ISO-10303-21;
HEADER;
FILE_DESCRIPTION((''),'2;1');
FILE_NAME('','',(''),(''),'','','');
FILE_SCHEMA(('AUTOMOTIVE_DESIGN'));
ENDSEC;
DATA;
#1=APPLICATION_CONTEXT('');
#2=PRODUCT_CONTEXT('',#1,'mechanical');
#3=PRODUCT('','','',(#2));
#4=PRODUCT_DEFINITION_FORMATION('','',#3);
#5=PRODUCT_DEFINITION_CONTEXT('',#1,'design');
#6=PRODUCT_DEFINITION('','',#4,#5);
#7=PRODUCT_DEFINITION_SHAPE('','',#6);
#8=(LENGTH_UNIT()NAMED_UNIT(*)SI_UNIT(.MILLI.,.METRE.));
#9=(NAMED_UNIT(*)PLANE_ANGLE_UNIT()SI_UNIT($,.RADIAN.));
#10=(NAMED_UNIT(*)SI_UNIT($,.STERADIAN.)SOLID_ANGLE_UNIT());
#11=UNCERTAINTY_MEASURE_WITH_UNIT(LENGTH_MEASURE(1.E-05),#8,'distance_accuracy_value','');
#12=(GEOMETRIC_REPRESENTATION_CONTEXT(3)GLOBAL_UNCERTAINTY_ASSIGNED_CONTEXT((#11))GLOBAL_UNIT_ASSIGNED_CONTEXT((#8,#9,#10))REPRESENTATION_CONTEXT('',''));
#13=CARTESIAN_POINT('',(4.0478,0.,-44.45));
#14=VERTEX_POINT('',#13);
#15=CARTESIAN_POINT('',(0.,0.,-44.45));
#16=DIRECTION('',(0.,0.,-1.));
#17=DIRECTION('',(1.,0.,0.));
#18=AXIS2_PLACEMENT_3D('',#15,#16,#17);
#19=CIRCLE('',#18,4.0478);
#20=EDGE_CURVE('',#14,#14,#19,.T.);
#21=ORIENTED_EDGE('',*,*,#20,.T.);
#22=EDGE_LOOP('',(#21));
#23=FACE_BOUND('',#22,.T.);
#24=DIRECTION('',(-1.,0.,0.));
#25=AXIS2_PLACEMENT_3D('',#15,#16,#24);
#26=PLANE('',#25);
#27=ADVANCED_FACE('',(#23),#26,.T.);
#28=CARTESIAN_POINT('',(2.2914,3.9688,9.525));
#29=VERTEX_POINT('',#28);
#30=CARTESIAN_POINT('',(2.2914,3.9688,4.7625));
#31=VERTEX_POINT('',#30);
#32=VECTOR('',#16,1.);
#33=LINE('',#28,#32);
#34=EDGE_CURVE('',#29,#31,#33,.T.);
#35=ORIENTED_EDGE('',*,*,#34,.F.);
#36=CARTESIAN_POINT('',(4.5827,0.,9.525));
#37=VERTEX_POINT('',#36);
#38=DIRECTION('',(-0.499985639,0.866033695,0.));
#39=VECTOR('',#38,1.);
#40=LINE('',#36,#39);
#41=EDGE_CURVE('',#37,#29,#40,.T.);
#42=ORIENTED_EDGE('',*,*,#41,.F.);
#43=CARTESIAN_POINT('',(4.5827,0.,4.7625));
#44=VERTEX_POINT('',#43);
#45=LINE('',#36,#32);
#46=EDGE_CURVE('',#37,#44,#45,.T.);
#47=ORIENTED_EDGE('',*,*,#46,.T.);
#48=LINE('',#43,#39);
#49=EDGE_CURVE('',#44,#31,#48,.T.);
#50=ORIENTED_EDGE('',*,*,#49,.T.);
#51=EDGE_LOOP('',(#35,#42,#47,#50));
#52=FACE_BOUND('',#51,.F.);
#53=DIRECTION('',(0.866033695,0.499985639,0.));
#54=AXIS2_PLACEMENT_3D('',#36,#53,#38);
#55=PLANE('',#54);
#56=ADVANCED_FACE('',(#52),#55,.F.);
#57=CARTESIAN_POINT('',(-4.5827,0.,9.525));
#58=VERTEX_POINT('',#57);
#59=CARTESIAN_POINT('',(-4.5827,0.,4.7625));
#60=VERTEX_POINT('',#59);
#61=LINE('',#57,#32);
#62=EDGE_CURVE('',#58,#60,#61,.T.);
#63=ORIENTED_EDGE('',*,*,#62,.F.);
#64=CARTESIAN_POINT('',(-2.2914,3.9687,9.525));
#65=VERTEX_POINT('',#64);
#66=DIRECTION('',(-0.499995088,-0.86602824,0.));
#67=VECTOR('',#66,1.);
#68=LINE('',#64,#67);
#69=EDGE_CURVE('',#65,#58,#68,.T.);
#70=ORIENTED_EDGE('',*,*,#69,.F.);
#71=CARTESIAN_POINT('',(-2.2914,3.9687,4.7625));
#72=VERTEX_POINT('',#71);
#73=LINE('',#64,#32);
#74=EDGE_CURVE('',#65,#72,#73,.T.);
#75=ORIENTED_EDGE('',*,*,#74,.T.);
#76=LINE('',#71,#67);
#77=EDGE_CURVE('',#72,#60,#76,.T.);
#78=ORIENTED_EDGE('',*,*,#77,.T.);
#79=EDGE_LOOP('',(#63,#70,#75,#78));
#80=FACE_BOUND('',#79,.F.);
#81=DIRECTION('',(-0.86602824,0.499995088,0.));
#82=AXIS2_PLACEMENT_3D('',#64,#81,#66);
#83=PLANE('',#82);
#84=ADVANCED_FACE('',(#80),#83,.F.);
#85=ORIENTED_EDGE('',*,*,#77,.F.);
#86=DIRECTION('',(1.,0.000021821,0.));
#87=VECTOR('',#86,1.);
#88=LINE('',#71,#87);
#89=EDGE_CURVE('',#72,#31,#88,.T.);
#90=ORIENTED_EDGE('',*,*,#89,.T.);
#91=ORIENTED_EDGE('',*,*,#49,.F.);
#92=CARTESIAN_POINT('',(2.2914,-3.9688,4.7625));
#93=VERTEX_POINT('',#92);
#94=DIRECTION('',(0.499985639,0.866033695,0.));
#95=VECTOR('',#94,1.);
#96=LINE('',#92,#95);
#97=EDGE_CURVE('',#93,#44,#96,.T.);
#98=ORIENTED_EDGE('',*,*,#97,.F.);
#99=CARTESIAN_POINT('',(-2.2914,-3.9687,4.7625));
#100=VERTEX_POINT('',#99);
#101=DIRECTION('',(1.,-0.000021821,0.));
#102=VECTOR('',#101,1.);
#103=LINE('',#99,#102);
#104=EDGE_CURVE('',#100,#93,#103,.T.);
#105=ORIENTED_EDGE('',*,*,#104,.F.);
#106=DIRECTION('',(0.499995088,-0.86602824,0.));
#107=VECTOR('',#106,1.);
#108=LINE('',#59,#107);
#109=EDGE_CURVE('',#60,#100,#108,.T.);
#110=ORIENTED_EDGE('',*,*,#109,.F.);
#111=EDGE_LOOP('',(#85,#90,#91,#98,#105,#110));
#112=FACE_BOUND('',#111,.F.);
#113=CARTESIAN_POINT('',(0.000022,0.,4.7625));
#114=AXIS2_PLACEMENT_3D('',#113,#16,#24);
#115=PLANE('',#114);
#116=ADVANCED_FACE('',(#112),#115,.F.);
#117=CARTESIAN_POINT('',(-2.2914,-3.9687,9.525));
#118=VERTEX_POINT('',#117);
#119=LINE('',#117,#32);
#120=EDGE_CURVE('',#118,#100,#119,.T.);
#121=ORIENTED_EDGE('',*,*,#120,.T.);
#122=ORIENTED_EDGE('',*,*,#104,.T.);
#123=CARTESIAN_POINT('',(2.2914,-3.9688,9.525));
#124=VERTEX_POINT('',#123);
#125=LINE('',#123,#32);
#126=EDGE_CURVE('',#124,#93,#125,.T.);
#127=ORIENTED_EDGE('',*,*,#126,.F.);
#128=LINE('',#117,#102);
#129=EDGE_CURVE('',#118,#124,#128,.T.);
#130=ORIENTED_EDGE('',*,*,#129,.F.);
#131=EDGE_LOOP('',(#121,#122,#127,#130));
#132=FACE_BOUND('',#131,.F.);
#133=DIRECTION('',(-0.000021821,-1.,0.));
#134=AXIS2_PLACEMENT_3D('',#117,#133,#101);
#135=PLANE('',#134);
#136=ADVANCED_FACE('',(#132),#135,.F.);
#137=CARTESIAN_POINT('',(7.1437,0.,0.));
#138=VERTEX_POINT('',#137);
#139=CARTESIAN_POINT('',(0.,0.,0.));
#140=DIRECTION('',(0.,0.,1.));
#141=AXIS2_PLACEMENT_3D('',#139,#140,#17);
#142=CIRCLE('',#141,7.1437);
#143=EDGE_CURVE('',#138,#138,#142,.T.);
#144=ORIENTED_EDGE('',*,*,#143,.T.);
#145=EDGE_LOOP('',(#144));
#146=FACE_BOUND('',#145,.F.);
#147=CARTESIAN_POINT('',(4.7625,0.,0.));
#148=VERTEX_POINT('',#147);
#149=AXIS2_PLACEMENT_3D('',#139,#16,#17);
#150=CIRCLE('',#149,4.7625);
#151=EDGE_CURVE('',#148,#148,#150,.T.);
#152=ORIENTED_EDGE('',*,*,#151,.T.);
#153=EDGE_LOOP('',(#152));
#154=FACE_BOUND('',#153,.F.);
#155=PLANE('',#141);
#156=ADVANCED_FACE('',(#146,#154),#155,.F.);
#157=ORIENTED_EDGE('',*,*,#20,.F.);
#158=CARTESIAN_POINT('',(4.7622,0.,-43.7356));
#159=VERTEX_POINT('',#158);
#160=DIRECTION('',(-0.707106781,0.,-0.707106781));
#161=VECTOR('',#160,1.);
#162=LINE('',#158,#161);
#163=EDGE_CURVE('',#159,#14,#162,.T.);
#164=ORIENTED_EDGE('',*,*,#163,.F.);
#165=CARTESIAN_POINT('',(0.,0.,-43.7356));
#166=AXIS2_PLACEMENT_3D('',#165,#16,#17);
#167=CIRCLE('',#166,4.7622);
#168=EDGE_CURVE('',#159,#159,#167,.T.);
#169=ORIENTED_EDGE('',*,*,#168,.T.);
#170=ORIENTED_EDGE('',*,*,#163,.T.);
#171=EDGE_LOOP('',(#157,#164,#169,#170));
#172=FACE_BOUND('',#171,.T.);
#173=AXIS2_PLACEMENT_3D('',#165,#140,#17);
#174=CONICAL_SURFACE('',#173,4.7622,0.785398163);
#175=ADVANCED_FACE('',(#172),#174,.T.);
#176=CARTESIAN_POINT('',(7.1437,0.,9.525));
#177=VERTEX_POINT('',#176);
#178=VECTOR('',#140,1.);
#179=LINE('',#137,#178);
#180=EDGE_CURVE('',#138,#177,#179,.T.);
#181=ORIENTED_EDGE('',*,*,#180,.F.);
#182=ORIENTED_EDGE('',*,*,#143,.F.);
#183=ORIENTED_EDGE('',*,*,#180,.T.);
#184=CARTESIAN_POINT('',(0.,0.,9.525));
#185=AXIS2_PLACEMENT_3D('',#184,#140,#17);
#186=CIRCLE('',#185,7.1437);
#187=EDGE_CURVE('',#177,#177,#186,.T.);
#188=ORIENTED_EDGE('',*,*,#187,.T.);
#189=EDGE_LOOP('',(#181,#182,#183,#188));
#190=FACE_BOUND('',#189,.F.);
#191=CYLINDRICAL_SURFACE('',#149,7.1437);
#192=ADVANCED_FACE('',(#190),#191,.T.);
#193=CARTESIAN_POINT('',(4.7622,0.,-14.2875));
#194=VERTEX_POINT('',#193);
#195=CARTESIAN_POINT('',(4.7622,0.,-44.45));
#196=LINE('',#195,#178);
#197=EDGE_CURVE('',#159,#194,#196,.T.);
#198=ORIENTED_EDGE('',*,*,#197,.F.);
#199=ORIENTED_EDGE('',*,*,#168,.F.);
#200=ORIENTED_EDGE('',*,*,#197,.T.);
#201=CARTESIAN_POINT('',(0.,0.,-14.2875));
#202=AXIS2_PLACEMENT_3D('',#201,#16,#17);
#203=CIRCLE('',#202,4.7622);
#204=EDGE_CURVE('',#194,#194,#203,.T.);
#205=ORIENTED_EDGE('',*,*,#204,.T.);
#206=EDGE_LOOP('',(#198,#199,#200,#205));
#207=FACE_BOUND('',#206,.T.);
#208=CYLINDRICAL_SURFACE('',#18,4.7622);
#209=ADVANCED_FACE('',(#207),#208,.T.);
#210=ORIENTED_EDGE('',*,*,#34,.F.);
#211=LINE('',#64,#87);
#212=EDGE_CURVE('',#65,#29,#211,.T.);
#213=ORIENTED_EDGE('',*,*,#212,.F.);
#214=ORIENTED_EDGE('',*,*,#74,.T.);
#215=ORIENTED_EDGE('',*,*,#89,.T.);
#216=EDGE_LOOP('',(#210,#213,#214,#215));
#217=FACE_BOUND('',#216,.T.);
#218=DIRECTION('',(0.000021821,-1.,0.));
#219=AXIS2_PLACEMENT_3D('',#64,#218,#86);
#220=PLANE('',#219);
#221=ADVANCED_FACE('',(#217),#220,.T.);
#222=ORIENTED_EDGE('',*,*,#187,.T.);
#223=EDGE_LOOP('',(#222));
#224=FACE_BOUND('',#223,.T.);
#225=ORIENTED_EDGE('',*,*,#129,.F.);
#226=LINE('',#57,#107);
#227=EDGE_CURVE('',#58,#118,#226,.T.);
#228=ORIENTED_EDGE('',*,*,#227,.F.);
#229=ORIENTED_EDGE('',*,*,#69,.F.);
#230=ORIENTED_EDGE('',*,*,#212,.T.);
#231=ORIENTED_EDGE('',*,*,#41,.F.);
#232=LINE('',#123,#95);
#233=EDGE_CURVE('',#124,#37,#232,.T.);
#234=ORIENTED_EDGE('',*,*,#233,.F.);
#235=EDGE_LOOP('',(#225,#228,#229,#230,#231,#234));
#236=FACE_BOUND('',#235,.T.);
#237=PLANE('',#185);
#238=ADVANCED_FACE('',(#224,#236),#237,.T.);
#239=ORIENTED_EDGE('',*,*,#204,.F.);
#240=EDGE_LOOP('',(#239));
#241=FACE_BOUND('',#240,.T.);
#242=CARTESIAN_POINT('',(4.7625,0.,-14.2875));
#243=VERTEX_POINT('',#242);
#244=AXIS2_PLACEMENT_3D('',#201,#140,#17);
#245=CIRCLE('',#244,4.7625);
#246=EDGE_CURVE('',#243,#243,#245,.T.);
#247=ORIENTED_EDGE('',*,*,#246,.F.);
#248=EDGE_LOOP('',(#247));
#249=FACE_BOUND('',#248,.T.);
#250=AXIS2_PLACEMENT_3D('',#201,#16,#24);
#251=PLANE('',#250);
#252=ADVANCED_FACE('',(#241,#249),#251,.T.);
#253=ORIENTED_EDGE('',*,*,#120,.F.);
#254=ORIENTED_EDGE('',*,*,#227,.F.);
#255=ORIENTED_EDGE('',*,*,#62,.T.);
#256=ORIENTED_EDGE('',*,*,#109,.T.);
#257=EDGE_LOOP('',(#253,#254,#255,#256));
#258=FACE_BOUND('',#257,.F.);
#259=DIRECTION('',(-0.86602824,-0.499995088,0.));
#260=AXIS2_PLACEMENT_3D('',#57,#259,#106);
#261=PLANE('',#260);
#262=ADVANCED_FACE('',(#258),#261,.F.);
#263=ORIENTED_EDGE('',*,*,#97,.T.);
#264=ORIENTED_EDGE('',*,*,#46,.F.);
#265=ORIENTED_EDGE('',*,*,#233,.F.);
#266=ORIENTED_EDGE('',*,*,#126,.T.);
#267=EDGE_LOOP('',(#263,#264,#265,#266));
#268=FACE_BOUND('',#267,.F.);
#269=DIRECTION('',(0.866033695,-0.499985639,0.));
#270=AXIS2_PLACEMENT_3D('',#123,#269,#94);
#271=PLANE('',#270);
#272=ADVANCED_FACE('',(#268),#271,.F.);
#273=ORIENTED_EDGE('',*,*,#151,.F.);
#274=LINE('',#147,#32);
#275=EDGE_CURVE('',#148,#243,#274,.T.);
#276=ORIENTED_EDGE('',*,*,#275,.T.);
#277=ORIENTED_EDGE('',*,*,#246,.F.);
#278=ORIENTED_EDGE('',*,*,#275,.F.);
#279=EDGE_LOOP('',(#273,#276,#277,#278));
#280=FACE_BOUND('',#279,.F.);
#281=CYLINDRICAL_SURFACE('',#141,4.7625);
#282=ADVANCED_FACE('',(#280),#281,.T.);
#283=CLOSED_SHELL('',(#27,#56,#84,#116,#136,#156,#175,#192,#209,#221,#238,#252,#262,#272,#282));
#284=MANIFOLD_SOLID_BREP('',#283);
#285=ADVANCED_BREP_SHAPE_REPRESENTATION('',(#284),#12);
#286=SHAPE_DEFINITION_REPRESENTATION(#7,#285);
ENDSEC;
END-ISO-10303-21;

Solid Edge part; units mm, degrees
sketch "Sketch1" plane through (0, 0, 0) normal (0, 0, 1) x (1, 0, 0)
  circle A0 centre (0, 0) radius 7.1437
  dimension "D1" = 14.2875
extrude "Protrusion1" add sketch "Sketch1" along normal blind 9.525
sketch "Sketch2" plane through (0, 0, 0) normal (0, 0, -1) x (1, 0, 0)
  circle A0 centre (0, 0) radius 4.7625
extrude "Protrusion2" add sketch "Sketch2" along normal blind 44.45
sketch "Sketch3" plane through (0, 0, -44.45) normal (0, 0, -1) x (1, 0, 0)
  circle A0 centre (0, 0) radius 4.7622
extrude "Cutout1" cut sketch "Sketch3" against normal blind 30.1625 flip side to cut
chamfer "Chamfer_1" distance 0.7144 angle 45 1 edges at (-4.7622, 0, -44.45)
sketch "Sketch4" plane through (0, 0, 9.525) normal (0, 0, 1) x (1, 0, 0)
  line L0 (-2.2914, 3.9687) -> (2.2914, 3.9688)
  line L1 (4.5827, 0) -> (2.2914, 3.9688)
  line L2 (2.2914, -3.9688) -> (4.5827, 0)
  line L3 (-2.2914, -3.9687) -> (2.2914, -3.9688)
  line L4 (-4.5827, 0) -> (-2.2914, -3.9688)
  line L5 (-2.2914, 3.9688) -> (-4.5827, 0)
  dimension "D1" = 7.9375
extrude "Cutout2" cut sketch "Sketch4" against normal blind 4.7625
properties part number "117539"
